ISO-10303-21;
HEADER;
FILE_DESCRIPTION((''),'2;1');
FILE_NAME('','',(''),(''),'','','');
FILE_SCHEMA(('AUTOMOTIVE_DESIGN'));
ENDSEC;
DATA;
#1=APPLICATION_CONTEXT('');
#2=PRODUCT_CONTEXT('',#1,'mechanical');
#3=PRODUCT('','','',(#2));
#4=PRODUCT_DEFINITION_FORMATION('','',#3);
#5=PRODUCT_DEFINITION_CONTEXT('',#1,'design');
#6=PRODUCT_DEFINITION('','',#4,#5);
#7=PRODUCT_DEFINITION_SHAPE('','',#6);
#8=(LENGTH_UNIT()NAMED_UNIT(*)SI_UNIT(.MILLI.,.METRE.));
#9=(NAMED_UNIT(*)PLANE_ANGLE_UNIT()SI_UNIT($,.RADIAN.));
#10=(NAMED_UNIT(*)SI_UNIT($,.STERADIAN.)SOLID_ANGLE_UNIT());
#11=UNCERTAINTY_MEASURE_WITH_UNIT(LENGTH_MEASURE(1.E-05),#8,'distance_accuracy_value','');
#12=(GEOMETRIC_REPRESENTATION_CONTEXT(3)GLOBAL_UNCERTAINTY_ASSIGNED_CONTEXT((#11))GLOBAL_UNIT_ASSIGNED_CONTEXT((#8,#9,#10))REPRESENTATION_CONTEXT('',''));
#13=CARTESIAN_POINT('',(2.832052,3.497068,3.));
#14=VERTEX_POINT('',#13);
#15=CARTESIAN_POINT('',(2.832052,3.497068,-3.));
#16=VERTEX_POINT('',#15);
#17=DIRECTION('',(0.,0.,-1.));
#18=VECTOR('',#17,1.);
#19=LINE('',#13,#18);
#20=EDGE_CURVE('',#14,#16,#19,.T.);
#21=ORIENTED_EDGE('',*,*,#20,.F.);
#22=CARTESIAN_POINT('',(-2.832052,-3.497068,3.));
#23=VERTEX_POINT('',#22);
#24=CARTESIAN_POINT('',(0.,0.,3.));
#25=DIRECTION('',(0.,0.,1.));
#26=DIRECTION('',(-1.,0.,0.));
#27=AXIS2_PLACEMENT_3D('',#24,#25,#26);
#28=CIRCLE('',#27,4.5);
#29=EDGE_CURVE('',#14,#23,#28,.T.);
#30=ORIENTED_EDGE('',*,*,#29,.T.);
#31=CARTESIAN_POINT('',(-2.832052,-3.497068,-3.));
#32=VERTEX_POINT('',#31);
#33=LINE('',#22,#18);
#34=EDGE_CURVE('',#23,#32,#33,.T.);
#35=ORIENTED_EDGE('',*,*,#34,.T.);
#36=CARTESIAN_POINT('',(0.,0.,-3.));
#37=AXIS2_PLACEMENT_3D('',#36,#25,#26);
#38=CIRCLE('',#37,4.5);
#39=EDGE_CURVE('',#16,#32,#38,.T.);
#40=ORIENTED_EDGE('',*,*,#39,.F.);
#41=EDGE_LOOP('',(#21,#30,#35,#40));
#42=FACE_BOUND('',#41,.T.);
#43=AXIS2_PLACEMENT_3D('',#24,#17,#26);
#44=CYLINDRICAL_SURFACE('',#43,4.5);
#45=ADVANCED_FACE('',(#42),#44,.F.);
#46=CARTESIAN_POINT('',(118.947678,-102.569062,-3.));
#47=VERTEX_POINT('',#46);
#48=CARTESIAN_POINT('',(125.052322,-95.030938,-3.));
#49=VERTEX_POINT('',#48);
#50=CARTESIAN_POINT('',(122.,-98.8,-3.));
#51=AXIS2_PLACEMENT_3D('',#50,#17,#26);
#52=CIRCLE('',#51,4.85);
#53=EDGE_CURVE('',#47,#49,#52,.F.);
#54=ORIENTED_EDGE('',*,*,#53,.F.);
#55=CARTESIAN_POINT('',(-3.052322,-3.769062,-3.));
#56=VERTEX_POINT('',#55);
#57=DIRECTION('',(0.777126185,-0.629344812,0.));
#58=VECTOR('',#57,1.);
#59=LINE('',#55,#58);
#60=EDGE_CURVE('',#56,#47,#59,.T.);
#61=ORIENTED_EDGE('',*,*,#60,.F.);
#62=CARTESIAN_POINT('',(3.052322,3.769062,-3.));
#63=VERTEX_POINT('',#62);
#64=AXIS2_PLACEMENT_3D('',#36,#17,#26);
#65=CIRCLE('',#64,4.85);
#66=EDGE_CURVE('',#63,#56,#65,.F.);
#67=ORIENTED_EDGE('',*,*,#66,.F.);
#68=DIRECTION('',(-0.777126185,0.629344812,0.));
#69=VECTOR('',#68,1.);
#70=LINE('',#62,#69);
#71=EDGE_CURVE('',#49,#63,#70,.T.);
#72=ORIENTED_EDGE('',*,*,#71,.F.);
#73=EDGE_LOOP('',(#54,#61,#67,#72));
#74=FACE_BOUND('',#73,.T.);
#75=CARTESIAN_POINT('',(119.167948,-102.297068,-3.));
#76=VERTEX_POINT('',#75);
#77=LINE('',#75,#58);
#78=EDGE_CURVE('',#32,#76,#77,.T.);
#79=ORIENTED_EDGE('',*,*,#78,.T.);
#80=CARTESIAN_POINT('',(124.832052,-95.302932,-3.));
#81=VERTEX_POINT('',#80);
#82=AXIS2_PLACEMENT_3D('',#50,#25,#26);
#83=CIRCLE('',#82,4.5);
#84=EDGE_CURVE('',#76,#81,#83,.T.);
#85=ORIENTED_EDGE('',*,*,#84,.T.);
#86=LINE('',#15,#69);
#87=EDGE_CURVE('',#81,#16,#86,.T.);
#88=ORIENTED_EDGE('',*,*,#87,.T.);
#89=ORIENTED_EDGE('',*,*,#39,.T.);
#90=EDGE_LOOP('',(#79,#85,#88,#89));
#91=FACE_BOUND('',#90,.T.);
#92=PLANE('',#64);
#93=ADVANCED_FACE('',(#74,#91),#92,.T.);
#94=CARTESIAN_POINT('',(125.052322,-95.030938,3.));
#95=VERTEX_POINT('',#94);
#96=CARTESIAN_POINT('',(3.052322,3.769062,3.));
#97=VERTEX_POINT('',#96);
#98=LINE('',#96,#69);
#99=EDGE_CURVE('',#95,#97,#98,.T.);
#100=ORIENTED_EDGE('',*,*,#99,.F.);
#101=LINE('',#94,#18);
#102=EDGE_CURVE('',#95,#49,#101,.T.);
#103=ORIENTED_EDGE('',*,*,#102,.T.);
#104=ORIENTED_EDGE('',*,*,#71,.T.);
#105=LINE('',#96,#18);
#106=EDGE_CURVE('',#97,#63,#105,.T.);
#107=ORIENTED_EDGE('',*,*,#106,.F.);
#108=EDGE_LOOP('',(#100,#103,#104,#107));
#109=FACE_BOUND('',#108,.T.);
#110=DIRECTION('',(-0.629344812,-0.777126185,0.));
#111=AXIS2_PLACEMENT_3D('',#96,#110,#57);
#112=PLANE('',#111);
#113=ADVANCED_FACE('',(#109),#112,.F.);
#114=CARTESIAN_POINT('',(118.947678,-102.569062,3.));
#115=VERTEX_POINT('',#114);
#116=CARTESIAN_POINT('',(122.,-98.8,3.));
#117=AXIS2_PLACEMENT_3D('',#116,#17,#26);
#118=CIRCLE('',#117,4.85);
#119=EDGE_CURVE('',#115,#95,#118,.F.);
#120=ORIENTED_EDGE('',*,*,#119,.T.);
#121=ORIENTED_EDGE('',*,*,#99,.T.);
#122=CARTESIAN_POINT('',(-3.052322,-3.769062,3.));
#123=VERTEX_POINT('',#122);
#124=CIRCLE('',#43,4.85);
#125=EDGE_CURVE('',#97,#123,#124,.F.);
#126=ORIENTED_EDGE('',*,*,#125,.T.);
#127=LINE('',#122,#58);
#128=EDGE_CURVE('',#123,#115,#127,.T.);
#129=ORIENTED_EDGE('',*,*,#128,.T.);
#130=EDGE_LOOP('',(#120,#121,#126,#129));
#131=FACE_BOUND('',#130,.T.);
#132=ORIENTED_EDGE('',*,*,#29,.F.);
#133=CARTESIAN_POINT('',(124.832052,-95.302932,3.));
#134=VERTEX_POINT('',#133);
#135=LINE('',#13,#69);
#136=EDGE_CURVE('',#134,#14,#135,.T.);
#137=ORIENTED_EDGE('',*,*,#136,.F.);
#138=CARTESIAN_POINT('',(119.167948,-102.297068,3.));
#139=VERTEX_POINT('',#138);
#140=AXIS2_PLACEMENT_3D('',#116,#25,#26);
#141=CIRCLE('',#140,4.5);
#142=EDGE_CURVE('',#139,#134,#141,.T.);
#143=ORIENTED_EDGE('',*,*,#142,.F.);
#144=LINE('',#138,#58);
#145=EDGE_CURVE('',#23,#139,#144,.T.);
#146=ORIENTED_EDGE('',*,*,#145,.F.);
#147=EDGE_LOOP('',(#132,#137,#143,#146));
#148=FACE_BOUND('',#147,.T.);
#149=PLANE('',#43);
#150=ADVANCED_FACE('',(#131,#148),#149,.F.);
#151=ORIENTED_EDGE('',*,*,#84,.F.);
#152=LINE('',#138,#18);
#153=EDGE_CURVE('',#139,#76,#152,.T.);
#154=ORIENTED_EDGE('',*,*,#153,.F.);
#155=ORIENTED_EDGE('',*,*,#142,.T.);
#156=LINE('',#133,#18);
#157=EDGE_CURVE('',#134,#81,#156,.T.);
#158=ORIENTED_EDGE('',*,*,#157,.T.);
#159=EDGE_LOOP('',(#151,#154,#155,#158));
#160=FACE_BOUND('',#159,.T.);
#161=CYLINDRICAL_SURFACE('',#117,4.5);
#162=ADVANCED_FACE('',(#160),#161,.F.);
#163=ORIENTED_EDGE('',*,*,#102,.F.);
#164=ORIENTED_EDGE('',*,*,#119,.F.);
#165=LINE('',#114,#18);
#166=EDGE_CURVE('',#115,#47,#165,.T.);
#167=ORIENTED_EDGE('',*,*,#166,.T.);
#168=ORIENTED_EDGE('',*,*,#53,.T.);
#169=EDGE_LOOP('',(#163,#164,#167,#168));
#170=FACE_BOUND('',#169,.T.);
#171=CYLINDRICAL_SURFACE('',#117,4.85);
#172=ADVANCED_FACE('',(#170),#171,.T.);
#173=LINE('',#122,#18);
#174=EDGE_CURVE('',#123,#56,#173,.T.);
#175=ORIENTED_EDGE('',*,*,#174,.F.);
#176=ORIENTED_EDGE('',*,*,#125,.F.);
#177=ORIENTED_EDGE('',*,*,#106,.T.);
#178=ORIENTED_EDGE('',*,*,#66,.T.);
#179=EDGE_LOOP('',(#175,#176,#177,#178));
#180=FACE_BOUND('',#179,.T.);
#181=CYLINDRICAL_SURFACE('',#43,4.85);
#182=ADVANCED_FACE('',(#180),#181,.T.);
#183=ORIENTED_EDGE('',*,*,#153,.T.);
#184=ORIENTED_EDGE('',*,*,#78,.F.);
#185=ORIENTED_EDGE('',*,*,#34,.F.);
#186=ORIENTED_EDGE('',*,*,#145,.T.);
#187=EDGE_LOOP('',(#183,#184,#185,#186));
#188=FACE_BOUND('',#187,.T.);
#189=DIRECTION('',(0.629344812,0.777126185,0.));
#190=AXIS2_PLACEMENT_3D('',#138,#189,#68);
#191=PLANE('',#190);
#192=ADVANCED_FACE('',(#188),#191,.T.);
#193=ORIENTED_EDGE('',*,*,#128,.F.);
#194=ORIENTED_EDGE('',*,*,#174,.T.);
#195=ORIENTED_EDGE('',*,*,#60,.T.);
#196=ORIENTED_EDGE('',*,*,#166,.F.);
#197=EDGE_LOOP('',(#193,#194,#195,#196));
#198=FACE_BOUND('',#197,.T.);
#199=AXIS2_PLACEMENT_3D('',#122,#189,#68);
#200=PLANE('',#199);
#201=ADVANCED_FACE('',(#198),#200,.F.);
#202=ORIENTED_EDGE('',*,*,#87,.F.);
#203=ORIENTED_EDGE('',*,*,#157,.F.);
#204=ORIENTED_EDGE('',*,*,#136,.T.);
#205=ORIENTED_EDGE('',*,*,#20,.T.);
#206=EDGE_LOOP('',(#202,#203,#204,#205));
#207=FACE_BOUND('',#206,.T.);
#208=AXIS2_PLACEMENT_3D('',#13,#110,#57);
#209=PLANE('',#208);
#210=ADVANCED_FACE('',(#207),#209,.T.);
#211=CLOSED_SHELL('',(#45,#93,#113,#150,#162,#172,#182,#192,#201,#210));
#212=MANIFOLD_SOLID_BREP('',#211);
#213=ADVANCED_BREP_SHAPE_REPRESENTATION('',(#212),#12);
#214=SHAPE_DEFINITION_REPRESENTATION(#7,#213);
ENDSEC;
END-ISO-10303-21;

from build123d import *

# Parameters (mm, degrees)
EXTRUDE_1_DEPTH = 3


with BuildPart() as part:
    # 草图2 → 拉伸-薄壁1 (new, symmetric)
    with BuildSketch(Plane.XY):
        with BuildLine():
            Line((118.947677661, -102.569061997), (-3.052322339, -3.769061997))
            ThreePointArc((-3.052322339, -3.769061997), (-3.769061997, 3.052322339), (3.052322339, 3.769061997))
            Line((3.052322339, 3.769061997), (125.052322339, -95.030938003))
            ThreePointArc((125.052322339, -95.030938003), (125.769061997, -101.852322339), (118.947677661, -102.569061997))
        make_face()
        with BuildLine():
            Line((119.167948345, -102.297067833), (-2.832051655, -3.497067833))
            ThreePointArc((-2.832051655, -3.497067833), (-3.497067833, 2.832051655), (2.832051655, 3.497067833))
            Line((2.832051655, 3.497067833), (124.832051655, -95.302932167))
            ThreePointArc((124.832051655, -95.302932167), (125.497067833, -101.632051655), (119.167948345, -102.297067833))
        make_face(mode=Mode.SUBTRACT)
    extrude(amount=EXTRUDE_1_DEPTH, both=True)


solid = part.part
